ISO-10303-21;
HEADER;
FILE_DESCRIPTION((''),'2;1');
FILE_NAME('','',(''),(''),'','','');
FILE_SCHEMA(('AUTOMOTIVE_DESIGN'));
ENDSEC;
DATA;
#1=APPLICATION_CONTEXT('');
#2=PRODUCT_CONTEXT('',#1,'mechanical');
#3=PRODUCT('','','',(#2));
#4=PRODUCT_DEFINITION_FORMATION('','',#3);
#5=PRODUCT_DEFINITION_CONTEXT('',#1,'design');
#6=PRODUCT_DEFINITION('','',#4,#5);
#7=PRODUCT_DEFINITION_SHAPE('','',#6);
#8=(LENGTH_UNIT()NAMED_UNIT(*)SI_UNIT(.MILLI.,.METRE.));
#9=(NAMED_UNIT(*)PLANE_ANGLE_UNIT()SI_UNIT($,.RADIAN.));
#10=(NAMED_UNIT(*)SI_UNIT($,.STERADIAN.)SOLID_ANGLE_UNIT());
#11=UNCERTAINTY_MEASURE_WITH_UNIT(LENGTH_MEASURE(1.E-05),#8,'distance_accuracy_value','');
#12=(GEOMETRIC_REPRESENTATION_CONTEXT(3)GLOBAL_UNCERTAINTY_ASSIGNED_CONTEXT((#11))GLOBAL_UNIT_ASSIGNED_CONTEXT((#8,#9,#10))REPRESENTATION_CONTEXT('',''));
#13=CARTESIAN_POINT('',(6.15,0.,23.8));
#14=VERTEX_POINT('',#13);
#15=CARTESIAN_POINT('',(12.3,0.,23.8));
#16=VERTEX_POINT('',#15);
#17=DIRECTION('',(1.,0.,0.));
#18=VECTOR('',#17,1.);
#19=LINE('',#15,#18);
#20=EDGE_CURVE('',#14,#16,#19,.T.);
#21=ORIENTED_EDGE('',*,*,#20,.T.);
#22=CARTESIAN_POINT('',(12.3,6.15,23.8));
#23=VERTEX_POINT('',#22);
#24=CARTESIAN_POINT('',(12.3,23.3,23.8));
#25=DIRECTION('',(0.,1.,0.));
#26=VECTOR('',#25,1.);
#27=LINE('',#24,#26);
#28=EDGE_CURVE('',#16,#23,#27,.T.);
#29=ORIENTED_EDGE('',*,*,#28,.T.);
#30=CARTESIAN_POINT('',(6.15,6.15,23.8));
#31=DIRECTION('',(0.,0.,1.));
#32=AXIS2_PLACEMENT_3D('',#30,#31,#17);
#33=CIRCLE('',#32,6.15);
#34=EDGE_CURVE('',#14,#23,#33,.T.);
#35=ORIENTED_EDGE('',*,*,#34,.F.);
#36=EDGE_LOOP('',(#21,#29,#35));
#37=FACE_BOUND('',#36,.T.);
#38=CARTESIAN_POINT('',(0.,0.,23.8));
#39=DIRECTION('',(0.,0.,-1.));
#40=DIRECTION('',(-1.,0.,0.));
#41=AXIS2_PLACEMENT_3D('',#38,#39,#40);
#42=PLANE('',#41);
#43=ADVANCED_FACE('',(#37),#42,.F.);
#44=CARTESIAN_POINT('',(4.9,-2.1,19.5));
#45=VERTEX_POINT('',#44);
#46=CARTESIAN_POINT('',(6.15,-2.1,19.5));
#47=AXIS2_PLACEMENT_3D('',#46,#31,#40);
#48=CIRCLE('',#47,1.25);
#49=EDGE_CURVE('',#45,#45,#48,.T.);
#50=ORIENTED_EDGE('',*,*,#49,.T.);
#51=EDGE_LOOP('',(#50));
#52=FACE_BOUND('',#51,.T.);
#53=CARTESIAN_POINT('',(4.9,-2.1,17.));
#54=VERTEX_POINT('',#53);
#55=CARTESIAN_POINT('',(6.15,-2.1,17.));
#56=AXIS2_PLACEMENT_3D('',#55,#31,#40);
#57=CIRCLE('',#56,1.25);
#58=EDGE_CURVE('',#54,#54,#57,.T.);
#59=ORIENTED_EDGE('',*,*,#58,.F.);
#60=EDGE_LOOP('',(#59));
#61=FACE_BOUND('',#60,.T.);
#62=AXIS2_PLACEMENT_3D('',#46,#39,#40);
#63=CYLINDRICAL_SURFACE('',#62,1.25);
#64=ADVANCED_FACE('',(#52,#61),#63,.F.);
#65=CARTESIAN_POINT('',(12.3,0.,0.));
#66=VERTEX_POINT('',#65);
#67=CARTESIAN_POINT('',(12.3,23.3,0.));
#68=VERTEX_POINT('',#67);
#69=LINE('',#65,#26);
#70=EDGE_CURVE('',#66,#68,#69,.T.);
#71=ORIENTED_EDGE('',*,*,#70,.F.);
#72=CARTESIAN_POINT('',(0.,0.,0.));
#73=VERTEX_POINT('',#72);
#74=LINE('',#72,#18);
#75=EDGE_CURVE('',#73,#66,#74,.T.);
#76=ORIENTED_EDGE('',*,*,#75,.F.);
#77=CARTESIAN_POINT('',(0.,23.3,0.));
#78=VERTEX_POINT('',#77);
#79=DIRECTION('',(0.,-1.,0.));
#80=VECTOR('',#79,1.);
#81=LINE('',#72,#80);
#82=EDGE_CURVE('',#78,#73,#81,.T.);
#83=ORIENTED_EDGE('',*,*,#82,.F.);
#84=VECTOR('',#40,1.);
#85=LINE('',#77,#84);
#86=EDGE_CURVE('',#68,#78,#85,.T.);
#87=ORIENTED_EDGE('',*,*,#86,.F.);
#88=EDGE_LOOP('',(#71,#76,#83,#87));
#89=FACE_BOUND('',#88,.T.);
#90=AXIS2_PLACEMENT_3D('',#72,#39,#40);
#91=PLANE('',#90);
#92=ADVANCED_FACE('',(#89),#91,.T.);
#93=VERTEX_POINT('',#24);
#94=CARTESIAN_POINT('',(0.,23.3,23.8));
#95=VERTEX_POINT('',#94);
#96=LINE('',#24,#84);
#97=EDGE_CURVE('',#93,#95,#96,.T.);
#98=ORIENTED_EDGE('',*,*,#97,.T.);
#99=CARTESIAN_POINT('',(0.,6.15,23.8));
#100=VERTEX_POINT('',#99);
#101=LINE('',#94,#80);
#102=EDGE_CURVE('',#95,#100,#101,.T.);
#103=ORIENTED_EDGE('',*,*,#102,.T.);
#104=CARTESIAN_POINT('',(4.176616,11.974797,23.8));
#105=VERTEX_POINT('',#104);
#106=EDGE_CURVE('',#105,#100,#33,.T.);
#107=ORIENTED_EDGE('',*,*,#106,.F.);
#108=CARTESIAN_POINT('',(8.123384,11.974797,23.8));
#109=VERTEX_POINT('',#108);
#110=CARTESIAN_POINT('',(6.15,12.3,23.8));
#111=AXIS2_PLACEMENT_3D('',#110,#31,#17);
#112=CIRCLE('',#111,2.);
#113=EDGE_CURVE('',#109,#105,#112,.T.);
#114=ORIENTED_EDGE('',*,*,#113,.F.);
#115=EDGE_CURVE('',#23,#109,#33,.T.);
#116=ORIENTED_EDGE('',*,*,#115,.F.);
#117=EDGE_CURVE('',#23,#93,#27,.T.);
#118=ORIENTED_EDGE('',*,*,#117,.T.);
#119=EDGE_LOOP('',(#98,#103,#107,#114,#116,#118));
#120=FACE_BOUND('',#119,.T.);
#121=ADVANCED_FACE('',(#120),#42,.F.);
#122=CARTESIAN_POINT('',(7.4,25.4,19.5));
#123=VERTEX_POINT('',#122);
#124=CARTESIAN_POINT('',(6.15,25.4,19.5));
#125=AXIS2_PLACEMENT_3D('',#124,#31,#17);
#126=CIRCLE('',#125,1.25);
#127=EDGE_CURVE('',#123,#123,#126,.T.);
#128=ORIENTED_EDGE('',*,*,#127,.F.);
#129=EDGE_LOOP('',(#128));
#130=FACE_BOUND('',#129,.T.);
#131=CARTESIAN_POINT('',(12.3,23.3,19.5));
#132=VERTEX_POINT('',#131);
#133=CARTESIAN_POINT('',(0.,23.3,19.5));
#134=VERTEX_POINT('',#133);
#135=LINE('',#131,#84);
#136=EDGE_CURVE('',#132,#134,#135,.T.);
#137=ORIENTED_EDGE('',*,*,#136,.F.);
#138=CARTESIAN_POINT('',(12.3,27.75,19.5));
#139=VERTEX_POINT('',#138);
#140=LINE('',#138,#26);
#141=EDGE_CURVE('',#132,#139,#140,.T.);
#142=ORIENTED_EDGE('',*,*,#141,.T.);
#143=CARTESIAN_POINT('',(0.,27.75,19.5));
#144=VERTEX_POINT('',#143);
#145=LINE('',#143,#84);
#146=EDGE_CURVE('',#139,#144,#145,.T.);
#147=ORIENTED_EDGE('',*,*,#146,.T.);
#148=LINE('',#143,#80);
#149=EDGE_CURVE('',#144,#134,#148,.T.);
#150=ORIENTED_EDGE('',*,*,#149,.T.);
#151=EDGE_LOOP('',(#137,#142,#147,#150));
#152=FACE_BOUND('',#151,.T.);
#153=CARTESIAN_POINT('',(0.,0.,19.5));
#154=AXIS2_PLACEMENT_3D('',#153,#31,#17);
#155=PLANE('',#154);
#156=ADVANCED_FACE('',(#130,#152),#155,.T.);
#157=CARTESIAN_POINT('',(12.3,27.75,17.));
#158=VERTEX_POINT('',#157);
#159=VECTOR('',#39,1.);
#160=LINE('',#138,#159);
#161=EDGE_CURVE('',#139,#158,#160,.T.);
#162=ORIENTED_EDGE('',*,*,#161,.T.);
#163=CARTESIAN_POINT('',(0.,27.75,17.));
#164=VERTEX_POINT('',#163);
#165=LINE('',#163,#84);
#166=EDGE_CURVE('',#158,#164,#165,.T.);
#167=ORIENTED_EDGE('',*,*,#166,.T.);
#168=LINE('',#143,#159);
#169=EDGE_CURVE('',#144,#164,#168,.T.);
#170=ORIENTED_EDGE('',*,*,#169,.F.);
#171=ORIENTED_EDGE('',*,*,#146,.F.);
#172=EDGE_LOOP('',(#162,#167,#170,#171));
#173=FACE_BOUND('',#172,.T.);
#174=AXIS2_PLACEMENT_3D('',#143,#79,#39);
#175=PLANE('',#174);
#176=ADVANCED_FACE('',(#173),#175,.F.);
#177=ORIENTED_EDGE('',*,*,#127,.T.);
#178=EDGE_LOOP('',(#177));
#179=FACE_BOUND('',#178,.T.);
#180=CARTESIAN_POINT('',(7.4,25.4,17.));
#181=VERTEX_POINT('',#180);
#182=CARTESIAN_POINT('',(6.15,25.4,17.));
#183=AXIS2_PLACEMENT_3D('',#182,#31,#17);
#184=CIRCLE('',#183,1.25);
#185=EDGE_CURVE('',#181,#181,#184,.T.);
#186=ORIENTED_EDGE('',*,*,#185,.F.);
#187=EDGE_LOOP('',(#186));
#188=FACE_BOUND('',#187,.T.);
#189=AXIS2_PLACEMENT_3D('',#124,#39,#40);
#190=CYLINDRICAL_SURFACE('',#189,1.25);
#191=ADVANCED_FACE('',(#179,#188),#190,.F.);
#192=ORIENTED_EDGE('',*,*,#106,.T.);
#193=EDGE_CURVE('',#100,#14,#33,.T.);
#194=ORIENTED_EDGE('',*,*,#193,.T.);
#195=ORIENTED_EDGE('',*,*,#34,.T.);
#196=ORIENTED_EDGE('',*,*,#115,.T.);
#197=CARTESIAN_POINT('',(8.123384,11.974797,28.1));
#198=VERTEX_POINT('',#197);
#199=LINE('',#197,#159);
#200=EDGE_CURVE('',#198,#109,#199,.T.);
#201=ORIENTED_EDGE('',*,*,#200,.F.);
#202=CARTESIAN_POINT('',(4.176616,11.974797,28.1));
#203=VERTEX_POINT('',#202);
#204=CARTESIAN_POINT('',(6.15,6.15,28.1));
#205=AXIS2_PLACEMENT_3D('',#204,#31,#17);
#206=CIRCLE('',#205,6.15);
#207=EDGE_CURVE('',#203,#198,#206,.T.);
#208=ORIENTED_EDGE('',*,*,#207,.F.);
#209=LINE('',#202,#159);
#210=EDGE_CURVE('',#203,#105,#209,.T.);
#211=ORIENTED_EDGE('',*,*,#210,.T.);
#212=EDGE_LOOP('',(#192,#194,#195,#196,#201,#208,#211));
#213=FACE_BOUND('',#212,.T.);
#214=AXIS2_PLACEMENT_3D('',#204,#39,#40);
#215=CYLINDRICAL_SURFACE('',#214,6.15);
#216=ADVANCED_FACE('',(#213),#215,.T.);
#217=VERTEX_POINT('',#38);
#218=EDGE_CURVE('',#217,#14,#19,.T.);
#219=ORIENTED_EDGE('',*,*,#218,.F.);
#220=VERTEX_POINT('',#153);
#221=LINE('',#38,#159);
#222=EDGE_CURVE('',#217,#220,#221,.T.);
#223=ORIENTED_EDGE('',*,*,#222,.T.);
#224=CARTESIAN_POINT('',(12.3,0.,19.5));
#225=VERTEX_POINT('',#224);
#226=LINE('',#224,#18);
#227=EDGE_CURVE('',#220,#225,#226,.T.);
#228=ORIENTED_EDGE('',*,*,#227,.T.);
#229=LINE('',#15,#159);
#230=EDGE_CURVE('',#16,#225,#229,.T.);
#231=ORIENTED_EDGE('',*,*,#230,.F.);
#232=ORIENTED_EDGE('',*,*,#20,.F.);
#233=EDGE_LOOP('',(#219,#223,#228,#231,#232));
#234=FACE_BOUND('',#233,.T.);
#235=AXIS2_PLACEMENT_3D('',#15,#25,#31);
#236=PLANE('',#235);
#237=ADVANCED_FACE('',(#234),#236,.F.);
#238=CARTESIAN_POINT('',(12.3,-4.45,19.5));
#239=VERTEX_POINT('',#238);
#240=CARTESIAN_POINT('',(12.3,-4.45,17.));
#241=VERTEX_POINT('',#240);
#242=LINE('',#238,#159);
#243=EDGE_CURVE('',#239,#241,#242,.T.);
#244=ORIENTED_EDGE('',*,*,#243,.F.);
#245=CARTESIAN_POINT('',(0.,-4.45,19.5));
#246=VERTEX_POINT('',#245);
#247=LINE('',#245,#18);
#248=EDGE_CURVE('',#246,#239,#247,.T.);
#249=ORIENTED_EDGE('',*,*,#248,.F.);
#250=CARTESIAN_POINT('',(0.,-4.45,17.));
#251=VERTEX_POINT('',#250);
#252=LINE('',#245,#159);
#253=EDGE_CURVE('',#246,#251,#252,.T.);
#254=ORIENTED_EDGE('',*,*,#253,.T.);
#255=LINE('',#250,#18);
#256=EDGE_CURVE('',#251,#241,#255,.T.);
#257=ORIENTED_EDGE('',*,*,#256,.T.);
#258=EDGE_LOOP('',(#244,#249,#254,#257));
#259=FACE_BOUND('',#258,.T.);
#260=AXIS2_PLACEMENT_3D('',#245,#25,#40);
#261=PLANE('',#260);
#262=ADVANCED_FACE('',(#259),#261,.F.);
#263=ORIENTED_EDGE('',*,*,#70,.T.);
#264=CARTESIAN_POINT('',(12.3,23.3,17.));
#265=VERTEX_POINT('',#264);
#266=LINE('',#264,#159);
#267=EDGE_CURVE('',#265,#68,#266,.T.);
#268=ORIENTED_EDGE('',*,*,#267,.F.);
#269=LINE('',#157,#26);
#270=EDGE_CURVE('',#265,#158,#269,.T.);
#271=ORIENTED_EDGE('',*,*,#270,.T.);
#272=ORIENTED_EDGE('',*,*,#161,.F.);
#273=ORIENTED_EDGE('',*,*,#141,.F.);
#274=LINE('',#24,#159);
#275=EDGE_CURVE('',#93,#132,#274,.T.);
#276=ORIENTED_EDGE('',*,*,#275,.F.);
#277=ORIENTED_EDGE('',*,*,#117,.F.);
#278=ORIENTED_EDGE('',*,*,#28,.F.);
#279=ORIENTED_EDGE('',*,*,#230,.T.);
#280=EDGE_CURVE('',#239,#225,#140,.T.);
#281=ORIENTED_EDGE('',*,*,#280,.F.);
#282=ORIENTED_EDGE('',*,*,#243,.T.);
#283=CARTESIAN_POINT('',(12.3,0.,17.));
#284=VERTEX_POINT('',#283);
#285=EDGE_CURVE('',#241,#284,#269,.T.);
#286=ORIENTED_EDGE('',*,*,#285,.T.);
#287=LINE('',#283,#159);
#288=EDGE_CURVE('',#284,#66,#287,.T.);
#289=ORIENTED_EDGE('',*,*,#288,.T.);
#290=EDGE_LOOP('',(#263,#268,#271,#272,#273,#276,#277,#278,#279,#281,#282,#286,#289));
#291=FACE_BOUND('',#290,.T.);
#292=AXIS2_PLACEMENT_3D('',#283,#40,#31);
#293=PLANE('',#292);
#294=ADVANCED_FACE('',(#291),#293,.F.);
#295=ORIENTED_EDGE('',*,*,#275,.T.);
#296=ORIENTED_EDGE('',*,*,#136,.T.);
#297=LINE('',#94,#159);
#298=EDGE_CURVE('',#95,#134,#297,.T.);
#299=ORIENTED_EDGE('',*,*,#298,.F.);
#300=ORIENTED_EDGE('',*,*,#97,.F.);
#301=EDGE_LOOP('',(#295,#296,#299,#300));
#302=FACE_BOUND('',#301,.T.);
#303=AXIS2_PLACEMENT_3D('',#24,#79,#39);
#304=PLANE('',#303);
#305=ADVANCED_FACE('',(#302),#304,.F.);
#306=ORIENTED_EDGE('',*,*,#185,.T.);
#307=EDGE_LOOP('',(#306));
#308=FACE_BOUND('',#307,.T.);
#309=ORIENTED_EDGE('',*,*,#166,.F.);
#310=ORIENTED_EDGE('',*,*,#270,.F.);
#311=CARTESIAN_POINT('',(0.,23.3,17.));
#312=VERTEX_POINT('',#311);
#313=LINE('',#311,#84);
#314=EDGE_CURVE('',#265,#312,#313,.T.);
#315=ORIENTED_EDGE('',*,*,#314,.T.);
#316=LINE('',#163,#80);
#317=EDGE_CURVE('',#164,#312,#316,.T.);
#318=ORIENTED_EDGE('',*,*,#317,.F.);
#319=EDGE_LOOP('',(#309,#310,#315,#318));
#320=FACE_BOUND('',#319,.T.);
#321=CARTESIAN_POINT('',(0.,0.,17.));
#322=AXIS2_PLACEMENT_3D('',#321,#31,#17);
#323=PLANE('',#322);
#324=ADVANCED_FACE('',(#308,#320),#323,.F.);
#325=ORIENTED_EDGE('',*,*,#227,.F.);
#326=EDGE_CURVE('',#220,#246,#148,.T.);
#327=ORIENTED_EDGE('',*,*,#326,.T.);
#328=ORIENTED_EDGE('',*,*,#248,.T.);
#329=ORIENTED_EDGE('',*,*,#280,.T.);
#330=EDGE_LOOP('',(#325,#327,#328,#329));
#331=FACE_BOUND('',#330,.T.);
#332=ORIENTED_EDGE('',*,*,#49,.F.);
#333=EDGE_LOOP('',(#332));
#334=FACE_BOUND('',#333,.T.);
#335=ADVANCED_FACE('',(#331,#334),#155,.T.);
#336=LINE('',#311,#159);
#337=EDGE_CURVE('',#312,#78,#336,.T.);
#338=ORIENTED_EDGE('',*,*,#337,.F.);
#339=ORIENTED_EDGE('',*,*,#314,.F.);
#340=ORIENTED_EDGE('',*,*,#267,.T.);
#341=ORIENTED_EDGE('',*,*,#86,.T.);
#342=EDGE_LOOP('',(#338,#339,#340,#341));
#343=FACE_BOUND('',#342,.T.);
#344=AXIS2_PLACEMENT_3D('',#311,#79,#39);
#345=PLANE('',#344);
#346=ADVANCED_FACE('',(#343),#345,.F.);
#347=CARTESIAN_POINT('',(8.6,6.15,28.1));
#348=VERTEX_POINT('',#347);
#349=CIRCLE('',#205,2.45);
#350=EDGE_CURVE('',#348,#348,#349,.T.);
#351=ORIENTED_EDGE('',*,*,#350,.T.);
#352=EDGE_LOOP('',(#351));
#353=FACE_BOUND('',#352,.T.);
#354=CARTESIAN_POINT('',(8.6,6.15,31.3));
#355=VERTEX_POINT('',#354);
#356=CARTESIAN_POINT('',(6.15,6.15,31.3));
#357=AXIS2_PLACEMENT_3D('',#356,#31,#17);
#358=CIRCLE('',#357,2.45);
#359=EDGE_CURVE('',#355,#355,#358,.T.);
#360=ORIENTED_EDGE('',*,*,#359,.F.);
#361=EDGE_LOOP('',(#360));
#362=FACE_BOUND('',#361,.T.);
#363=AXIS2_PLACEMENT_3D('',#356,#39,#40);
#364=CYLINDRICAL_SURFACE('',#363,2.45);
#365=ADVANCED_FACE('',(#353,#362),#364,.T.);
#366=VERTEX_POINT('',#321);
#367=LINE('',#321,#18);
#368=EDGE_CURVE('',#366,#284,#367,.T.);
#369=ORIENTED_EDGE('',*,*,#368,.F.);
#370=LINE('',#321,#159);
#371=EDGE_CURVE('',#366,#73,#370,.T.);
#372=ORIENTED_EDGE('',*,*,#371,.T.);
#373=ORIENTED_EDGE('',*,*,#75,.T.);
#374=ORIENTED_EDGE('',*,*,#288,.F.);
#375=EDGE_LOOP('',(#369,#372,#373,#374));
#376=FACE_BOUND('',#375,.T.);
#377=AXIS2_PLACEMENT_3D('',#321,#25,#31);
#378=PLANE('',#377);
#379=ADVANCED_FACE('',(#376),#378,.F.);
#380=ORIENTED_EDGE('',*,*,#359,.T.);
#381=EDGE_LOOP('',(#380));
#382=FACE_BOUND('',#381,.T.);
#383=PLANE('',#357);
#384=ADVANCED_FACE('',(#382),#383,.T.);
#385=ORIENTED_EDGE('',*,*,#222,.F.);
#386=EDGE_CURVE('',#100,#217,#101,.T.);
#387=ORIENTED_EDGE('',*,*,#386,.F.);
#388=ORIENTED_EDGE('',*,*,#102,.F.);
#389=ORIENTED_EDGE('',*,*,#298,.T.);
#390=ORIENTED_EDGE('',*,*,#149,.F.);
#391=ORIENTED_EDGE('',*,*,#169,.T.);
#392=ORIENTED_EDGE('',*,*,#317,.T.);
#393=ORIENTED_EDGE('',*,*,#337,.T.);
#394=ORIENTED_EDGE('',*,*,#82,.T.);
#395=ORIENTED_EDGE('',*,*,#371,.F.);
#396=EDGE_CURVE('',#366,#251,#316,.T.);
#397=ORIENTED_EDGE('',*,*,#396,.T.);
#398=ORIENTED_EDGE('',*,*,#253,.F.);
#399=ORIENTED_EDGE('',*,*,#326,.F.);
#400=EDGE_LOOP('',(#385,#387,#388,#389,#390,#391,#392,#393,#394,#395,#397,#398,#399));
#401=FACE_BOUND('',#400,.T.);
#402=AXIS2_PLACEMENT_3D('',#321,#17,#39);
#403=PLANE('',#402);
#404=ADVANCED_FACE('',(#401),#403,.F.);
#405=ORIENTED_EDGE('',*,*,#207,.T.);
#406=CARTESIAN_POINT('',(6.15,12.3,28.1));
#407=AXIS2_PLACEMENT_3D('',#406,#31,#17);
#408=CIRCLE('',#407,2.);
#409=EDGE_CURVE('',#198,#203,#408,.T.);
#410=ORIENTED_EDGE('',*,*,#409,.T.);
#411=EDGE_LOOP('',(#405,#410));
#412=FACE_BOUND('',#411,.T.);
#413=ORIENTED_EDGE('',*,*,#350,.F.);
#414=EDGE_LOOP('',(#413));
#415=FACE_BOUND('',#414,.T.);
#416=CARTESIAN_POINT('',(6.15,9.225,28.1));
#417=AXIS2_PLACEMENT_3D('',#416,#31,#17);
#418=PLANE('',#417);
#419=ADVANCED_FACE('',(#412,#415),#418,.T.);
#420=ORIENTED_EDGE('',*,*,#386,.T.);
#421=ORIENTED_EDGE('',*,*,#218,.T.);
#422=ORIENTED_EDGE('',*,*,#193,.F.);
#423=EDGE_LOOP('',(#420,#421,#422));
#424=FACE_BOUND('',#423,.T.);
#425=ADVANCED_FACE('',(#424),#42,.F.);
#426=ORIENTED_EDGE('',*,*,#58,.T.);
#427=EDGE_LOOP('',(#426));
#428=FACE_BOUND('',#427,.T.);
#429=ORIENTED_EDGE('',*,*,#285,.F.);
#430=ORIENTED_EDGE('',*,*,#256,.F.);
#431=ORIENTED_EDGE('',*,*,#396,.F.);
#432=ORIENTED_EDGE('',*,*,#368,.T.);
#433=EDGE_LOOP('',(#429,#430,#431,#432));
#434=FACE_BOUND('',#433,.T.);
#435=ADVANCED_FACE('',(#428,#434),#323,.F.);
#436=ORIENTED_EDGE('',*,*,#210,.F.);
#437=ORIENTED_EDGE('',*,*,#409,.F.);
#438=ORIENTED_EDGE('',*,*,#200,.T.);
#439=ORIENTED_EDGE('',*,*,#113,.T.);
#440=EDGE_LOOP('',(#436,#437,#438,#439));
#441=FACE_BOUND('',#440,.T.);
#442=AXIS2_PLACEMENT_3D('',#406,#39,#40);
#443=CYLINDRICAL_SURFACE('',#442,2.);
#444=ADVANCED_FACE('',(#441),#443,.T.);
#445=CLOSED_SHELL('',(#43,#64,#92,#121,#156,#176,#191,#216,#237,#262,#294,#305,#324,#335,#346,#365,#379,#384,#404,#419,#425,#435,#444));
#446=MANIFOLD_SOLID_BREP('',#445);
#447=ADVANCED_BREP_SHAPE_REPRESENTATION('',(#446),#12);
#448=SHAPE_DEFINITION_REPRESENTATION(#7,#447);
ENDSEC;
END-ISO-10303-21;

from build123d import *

# Parameters (mm, degrees)
ESQUISSE1_W        = 12.3
ESQUISSE1_H        = 23.3
BOSS_EXTRU_1_DEPTH = 17
ESQUISSE2_W        = 12.3
ESQUISSE2_H        = 32.2
ESQUISSE2_R        = 1.25
BOSS_EXTRU_2_DEPTH = 2.5
ESQUISSE3_W        = 12.3
ESQUISSE3_H        = 23.3
BOSS_EXTRU_3_DEPTH = 4.3
BOSS_EXTRU_4_DEPTH = 4.3
ESQUISSE5_R        = 2.45
BOSS_EXTRU_5_DEPTH = 3.2


with BuildPart() as part:
    # Esquisse1 → Boss.-Extru.1 (new body)
    with BuildSketch(Plane.XY):
        with Locations((6.15, 11.65)):
            Rectangle(ESQUISSE1_W, ESQUISSE1_H)
    extrude(amount=BOSS_EXTRU_1_DEPTH)

    # Esquisse2 → Boss.-Extru.2 (add)
    with BuildSketch(Plane.XY.offset(17)):
        with Locations((6.15, 11.65)):
            Rectangle(ESQUISSE2_W, ESQUISSE2_H)
        with Locations((6.15, 25.4)):
            Circle(ESQUISSE2_R, mode=Mode.SUBTRACT)
        with Locations(Location((6.15, -2.1, 0), (0, 0, 180))):
            Circle(ESQUISSE2_R, mode=Mode.SUBTRACT)
    extrude(amount=BOSS_EXTRU_2_DEPTH)

    # Esquisse3 → Boss.-Extru.3 (add)
    with BuildSketch(Plane.XY.offset(19.5)):
        with Locations((6.15, 11.65)):
            Rectangle(ESQUISSE3_W, ESQUISSE3_H)
    extrude(amount=BOSS_EXTRU_3_DEPTH)

    # Esquisse4 → Boss.-Extru.4 (add)
    with BuildSketch(Plane.XY.offset(23.8)):
        with BuildLine():
            ThreePointArc((4.176616397, 11.974796748), (6.15, 0), (8.123383603, 11.974796748))
            ThreePointArc((8.123383603, 11.974796748), (6.15, 14.3), (4.176616397, 11.974796748))
        make_face()
    extrude(amount=BOSS_EXTRU_4_DEPTH)

    # Esquisse5 → Boss.-Extru.5 (add)
    with BuildSketch(Plane.XY.offset(28.1)):
        with Locations((6.15, 6.15)):
            Circle(ESQUISSE5_R)
    extrude(amount=BOSS_EXTRU_5_DEPTH)


solid = part.part
